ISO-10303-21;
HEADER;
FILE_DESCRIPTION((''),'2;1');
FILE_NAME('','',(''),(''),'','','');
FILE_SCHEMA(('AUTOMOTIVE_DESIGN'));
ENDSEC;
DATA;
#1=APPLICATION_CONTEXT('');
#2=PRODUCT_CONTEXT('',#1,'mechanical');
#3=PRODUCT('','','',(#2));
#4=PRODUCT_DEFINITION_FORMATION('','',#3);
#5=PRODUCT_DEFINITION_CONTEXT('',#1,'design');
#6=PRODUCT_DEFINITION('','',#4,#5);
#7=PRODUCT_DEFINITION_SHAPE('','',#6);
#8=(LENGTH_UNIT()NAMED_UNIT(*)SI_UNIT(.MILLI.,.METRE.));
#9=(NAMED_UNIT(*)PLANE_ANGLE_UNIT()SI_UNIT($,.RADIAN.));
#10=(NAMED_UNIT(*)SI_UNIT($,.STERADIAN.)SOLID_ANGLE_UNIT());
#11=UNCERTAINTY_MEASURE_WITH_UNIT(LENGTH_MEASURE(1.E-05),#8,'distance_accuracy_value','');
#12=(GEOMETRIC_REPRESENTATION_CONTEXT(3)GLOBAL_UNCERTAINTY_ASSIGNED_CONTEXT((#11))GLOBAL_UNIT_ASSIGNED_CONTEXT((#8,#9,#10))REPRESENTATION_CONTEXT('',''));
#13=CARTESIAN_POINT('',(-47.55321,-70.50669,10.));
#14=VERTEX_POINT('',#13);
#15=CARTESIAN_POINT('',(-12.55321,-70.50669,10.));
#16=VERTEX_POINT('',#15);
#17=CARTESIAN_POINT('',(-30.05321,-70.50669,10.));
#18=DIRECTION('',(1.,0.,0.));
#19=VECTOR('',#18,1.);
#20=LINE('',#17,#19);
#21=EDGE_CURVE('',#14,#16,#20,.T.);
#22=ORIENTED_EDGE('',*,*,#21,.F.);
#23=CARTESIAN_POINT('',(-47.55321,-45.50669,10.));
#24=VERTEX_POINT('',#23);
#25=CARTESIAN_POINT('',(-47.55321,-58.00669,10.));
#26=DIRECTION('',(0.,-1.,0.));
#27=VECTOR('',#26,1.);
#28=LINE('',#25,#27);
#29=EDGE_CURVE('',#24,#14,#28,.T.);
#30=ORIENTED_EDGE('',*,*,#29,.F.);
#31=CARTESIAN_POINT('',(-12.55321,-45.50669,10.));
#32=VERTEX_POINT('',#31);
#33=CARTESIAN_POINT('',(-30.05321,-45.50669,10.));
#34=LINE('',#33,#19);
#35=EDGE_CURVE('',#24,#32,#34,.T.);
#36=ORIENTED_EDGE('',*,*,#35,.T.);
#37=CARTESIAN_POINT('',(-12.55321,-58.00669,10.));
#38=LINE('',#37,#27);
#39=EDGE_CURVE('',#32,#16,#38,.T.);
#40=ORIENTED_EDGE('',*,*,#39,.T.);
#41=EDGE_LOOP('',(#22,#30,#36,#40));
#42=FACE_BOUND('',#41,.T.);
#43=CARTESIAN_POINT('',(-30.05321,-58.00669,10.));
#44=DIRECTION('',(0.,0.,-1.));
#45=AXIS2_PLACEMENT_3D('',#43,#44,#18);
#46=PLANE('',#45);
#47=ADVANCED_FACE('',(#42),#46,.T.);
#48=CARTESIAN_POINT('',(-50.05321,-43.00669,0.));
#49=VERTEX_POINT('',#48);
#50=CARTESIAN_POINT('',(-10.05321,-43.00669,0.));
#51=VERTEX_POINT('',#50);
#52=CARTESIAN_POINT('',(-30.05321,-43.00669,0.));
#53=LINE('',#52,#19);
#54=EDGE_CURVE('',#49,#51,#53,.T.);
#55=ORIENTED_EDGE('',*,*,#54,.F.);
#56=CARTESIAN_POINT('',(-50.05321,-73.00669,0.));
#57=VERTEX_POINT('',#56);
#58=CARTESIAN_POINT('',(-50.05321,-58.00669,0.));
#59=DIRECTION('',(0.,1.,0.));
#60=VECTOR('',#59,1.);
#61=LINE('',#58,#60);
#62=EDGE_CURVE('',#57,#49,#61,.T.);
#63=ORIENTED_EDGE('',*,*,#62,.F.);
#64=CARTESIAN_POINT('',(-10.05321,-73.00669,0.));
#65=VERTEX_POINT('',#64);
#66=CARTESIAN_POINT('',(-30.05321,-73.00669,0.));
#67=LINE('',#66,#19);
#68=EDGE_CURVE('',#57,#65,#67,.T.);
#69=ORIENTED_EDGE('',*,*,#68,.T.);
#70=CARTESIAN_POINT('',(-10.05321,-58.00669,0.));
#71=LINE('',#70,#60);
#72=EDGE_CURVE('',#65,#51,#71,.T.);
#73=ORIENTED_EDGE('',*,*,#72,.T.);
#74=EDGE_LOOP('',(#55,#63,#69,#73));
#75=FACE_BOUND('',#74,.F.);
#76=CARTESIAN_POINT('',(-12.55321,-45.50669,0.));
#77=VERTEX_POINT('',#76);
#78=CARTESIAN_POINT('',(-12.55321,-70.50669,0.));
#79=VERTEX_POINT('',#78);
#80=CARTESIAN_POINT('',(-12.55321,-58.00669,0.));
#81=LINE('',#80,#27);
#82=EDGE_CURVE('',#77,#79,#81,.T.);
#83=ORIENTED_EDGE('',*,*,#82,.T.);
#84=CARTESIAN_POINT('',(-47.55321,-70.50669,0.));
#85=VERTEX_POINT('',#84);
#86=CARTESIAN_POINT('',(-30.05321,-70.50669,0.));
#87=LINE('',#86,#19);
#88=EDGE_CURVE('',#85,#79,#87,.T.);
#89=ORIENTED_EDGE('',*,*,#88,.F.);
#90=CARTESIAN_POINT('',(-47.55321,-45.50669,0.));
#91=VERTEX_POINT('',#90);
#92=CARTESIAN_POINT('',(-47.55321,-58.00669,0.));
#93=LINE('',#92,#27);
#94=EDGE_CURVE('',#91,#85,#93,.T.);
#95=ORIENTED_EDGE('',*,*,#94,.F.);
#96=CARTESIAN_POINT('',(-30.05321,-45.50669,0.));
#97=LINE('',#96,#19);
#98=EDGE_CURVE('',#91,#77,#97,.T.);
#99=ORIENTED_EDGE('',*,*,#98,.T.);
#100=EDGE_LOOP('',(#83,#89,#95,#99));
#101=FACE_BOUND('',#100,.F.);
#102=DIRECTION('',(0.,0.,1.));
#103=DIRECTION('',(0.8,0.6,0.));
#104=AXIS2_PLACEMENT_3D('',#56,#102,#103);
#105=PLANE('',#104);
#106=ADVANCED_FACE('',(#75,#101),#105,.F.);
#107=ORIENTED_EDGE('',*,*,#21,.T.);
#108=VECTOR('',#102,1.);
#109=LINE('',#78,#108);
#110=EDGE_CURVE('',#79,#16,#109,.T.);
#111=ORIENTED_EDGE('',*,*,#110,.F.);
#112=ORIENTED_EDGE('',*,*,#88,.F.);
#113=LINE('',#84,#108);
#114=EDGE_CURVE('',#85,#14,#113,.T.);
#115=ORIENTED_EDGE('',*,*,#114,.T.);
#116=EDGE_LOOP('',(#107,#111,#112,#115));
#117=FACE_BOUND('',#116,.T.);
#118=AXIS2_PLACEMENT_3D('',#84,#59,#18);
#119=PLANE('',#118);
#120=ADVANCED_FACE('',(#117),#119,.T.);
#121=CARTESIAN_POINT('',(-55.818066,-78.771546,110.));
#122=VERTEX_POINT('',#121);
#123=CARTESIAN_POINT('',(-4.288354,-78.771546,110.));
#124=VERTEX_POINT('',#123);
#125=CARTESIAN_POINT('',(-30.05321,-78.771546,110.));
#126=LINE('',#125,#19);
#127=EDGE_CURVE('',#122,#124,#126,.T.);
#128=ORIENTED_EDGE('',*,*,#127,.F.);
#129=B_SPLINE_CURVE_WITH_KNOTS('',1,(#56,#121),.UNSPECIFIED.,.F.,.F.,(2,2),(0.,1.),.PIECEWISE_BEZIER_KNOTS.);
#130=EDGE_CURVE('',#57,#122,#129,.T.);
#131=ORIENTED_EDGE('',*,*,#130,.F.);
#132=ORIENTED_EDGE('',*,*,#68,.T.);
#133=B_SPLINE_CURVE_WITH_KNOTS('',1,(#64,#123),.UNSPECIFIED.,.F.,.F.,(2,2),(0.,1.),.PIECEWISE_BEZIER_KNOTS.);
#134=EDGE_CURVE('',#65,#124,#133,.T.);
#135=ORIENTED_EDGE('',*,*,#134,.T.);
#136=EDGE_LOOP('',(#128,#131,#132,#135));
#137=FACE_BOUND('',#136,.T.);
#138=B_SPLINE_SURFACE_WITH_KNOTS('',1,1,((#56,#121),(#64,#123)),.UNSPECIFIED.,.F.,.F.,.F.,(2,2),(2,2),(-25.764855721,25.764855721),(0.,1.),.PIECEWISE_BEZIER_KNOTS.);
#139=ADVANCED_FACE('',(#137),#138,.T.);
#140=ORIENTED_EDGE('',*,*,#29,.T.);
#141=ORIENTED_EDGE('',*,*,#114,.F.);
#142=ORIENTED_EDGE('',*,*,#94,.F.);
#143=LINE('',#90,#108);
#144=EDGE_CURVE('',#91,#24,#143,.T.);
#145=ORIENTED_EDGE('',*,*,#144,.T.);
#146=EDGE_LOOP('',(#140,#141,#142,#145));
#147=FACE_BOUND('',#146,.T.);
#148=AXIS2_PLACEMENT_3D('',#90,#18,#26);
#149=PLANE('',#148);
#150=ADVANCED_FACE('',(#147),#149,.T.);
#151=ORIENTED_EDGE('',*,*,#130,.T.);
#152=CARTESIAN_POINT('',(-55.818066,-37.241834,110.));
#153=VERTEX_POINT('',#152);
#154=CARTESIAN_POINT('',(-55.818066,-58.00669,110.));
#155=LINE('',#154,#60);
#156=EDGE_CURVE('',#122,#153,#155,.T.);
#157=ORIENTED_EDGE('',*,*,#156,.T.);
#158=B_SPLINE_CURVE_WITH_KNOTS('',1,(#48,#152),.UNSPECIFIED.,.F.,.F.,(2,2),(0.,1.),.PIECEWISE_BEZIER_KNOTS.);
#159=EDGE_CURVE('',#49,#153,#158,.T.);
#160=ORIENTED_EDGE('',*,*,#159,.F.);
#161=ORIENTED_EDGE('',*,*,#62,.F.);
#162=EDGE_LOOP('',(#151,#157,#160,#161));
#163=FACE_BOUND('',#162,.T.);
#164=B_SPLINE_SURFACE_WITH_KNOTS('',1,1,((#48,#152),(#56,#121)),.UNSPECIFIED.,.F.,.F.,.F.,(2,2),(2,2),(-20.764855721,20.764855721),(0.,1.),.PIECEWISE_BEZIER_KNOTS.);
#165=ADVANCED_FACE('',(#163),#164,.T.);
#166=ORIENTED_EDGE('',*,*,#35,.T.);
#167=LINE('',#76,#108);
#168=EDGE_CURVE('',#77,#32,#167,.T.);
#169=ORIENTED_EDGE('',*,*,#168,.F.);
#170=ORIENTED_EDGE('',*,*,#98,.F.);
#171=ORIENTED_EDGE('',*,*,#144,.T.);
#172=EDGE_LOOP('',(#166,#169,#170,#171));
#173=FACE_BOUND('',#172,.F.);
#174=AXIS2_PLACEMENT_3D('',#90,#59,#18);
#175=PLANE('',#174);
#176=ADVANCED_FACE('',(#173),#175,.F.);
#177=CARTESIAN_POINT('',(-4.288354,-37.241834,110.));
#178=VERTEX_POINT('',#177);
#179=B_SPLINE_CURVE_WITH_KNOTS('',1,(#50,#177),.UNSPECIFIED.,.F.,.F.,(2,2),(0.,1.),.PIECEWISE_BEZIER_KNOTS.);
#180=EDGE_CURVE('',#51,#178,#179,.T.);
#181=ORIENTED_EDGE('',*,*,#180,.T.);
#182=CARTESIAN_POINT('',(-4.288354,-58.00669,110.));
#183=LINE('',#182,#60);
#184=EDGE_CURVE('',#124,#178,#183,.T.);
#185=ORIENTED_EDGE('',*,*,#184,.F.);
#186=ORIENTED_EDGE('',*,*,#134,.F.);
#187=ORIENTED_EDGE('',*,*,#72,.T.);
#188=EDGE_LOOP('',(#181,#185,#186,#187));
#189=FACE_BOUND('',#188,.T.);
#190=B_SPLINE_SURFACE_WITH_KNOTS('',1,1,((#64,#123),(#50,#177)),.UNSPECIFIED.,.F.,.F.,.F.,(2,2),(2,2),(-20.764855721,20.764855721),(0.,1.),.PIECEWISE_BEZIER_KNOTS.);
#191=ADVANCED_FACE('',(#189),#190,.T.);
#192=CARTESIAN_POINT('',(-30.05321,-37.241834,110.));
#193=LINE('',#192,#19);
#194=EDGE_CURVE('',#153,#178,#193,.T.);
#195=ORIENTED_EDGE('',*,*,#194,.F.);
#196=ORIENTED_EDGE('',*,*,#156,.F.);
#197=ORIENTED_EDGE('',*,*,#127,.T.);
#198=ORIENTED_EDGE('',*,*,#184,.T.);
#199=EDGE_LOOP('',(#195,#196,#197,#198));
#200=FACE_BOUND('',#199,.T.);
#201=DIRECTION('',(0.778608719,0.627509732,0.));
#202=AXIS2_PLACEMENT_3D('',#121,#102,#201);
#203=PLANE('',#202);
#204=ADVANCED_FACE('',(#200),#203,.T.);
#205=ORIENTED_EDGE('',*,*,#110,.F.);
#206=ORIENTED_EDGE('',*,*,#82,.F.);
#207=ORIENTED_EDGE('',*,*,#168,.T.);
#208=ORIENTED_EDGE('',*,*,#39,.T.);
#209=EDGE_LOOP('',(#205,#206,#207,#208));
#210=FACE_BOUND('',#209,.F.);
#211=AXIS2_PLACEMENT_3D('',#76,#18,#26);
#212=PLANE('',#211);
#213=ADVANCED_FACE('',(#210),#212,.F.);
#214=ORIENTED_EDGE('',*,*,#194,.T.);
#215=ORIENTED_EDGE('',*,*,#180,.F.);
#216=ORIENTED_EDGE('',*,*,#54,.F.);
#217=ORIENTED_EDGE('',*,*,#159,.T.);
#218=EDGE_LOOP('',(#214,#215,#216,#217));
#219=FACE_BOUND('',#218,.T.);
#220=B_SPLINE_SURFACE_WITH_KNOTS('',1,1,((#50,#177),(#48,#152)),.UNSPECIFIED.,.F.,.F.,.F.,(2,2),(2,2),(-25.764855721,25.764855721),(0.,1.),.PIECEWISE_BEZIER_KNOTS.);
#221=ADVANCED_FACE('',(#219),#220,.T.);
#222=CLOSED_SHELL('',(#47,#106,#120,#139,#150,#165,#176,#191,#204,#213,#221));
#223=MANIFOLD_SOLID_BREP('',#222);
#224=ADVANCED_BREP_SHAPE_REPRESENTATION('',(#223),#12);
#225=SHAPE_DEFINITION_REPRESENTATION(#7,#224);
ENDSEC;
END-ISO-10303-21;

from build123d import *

# Parameters (mm, degrees)
F0_W     = 40
F0_H     = 30
F1_DEPTH = 110
F1_TAPER = -3
F2_W     = 35
F2_H     = 25
F3_DEPTH = 10


with BuildPart() as f1:
    # F0 (on Top) → F1 (new body)
    with BuildSketch(Plane.XY):
        with Locations((-30.053210146, -58.0066898444)):
            Rectangle(F0_W, F0_H)
    extrude(amount=F1_DEPTH, taper=F1_TAPER)

    # F2 (on face) → F3 (cut)
    with BuildSketch(Plane(origin=(0, 0, 0), x_dir=(1, 0, 0), z_dir=(0, 0, -1))):
        with Locations((-30.053210146, 58.0066898444)):
            Rectangle(F2_W, F2_H)
    extrude(amount=-F3_DEPTH, mode=Mode.SUBTRACT)


solid = f1.part
